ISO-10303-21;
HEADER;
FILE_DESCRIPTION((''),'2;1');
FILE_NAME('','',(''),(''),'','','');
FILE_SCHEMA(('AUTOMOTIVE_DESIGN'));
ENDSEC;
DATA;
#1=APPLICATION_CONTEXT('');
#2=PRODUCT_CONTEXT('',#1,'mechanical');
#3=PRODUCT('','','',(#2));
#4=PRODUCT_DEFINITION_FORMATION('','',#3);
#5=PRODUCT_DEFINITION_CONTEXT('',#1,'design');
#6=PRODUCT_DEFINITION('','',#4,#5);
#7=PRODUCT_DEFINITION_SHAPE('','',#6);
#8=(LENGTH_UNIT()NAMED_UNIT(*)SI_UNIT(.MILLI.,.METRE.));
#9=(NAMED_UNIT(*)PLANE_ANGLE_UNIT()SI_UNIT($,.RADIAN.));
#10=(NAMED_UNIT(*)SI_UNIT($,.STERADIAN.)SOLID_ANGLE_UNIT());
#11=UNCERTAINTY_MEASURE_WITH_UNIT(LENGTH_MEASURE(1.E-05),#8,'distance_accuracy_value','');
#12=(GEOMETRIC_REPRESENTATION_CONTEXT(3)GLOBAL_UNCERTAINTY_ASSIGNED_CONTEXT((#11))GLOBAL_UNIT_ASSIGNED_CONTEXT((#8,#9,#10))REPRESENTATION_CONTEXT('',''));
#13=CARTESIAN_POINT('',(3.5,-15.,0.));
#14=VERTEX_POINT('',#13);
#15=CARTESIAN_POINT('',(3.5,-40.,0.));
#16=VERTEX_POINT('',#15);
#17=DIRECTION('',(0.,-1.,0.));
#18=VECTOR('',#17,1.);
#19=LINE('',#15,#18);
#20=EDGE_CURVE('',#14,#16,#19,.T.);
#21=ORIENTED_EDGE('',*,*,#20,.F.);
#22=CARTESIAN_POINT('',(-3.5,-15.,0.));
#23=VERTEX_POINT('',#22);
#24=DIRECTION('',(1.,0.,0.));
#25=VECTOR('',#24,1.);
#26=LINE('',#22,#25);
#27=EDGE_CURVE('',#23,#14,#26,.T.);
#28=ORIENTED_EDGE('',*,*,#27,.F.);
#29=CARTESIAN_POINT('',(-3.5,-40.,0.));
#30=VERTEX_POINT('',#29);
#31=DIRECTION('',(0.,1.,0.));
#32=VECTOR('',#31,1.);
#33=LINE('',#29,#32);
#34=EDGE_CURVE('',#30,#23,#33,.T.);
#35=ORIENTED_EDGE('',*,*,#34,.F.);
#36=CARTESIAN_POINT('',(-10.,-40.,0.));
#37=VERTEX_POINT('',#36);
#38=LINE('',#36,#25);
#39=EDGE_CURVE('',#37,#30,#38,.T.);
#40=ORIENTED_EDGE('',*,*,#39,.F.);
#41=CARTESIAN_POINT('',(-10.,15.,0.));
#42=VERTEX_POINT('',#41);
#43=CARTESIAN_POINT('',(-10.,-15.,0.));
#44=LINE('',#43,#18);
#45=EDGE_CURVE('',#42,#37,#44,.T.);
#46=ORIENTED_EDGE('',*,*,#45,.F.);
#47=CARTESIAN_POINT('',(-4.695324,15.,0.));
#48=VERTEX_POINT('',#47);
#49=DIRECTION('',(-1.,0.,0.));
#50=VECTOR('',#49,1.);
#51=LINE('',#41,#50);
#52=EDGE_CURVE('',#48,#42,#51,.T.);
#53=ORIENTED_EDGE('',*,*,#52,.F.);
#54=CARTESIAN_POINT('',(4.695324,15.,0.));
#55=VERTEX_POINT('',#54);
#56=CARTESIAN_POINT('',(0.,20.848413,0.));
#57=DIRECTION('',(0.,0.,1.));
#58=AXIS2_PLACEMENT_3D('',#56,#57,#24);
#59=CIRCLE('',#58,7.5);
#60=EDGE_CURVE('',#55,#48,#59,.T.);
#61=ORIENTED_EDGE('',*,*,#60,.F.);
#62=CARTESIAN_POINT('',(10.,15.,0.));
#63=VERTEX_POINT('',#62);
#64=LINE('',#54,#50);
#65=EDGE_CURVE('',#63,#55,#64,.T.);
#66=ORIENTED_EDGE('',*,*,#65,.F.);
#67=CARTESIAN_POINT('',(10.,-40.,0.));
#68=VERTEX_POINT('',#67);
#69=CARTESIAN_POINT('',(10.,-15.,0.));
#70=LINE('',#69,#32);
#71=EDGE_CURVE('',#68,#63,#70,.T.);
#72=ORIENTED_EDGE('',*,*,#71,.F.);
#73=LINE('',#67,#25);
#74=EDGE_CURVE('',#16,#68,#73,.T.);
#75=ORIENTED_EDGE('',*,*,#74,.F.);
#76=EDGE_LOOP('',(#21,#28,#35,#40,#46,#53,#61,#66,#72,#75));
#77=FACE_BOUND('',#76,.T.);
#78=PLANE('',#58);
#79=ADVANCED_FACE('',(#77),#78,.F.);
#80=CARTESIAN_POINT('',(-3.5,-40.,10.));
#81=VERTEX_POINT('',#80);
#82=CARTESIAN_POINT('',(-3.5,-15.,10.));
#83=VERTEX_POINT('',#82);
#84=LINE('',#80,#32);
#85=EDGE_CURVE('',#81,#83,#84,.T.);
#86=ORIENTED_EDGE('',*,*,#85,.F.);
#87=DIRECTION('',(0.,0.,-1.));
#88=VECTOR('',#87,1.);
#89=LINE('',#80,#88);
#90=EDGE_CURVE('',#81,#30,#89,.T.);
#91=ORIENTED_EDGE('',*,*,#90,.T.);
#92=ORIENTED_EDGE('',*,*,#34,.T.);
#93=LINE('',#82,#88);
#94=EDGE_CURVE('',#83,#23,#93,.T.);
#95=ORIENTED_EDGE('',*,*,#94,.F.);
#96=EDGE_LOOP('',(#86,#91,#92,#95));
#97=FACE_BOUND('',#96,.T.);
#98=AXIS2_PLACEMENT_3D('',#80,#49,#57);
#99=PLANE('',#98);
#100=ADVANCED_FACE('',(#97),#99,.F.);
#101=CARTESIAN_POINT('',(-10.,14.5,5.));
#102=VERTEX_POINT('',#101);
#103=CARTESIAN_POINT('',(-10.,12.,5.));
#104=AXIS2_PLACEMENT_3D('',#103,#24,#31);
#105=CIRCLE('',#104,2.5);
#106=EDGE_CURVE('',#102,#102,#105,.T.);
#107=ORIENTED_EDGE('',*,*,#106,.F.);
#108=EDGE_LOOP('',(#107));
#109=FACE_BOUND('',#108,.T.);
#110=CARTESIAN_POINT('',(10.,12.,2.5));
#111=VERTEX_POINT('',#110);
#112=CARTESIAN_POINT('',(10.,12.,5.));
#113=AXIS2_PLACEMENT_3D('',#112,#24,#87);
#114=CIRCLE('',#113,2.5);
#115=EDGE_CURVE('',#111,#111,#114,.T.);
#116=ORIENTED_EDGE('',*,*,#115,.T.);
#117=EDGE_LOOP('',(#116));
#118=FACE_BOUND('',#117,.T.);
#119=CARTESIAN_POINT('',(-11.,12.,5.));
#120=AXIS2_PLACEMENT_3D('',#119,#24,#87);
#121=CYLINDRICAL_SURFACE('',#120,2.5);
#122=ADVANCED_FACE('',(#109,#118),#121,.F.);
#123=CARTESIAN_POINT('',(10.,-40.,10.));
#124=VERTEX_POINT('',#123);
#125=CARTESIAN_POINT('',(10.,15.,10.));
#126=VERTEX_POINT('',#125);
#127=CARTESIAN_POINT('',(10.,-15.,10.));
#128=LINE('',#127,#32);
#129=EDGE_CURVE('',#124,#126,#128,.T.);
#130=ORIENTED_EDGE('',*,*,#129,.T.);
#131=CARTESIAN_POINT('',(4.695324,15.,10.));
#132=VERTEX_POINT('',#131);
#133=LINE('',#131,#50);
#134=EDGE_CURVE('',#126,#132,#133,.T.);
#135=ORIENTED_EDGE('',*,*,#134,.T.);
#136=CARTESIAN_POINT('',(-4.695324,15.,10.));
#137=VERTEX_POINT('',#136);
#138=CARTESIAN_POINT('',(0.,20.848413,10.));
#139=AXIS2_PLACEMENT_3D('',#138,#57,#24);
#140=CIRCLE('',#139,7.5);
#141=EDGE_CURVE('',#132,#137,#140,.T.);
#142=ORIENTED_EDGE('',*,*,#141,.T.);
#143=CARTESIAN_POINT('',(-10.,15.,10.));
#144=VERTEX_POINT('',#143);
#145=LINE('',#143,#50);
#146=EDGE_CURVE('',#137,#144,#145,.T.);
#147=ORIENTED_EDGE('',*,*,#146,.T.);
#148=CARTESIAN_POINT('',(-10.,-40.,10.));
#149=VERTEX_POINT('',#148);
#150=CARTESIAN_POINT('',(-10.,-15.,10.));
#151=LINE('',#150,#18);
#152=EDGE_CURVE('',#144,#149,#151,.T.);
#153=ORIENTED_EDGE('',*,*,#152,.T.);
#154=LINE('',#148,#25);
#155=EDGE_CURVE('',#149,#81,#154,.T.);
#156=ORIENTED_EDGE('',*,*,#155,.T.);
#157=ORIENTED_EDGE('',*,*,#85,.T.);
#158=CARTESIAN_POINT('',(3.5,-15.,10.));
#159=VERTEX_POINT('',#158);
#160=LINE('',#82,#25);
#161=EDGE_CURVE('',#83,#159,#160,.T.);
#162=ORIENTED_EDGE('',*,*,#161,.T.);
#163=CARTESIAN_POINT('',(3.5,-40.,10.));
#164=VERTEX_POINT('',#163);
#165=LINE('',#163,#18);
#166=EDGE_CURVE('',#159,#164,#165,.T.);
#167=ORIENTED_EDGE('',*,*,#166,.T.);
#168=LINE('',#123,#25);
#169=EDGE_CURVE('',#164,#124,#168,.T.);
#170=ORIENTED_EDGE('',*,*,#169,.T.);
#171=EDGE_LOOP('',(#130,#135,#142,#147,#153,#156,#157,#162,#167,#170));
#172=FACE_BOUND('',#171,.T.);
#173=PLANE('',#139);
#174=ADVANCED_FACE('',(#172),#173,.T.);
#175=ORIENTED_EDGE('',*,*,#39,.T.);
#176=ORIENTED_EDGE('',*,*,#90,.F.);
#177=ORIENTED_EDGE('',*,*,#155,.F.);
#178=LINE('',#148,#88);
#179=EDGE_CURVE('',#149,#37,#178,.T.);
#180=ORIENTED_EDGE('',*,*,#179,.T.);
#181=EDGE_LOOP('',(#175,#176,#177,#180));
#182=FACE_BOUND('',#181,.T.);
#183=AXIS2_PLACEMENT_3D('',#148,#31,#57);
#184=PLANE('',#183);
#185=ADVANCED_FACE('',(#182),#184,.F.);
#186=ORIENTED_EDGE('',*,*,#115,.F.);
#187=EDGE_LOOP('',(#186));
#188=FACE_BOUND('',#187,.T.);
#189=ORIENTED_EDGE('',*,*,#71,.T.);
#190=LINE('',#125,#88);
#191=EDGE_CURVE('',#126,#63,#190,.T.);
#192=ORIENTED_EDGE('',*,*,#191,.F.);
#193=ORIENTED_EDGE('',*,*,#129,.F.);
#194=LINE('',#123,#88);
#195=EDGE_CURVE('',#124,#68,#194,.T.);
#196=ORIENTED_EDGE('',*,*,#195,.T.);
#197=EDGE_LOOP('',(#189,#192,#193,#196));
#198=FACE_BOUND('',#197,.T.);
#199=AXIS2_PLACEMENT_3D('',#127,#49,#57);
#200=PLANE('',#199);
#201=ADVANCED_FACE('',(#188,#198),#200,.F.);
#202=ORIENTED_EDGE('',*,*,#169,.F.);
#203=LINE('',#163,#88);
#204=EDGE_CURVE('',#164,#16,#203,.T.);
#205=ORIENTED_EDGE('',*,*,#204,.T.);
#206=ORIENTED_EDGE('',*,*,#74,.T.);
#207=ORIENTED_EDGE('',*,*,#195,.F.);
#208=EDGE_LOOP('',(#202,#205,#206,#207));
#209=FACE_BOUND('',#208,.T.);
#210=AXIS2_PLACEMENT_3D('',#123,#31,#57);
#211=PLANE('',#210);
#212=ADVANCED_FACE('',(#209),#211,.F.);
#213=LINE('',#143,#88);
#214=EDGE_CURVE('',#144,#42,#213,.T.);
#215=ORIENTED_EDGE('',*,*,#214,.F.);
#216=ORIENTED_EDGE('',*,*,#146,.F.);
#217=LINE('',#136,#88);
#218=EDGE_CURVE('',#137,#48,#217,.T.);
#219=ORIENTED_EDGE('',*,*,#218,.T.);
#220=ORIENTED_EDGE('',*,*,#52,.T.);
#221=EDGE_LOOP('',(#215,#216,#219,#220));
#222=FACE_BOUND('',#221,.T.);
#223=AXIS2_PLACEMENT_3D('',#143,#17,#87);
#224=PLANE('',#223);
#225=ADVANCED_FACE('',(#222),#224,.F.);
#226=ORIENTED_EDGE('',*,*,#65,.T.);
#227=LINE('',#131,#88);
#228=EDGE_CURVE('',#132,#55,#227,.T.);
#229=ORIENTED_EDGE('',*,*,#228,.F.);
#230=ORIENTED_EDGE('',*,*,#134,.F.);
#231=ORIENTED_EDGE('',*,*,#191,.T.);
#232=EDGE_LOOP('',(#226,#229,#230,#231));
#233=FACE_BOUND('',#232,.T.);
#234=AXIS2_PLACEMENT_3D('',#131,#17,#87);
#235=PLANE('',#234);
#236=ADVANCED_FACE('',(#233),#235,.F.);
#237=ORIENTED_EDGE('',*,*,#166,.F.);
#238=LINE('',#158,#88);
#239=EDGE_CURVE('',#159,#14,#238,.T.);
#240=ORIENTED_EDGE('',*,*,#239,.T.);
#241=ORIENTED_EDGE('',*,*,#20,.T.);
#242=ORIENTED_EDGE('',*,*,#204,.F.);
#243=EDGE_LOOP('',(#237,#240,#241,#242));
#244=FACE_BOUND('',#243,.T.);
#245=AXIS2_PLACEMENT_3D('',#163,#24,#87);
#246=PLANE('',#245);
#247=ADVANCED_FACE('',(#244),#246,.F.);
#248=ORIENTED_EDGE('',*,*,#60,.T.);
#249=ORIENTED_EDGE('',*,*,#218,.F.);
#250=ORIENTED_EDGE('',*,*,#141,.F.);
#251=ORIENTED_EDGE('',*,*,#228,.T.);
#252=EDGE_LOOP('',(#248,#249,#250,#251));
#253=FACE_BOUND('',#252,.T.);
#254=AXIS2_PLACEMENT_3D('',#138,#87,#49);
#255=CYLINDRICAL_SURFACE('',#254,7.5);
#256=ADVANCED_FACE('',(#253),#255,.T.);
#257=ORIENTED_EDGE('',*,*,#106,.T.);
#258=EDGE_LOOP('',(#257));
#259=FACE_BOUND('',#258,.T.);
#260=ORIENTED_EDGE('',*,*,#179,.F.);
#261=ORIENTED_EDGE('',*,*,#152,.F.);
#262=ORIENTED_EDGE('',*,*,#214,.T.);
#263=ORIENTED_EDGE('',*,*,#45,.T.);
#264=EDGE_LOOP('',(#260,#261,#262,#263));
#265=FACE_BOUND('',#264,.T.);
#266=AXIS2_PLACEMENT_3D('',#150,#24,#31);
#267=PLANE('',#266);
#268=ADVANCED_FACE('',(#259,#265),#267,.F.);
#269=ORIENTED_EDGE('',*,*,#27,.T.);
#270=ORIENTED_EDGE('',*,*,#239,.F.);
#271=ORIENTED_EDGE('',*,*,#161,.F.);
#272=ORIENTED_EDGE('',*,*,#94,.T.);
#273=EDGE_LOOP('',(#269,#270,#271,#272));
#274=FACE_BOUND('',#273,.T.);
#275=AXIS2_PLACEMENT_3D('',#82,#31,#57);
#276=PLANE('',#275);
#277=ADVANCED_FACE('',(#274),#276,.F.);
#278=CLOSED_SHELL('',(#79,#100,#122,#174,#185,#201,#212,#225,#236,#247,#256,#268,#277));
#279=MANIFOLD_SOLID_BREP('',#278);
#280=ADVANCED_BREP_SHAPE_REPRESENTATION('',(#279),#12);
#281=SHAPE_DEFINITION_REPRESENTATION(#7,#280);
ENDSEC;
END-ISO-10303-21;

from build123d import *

# Parameters (mm, degrees)
SALIENTE_EXTRUIR1_DEPTH = 10
CROQUIS2_R              = 2.5
CORTAR_EXTRUIR1_DEPTH   = 21


with BuildPart() as part:
    # Croquis1 → Saliente-Extruir1 (new body)
    with BuildSketch(Plane.XY):
        with BuildLine():
            Line((-10, -15), (-10, -40))
            Line((-10, -40), (-3.5, -40))
            Line((-3.5, -40), (-3.5, -15))
            Line((-3.5, -15), (3.5, -15))
            Line((3.5, -15), (3.5, -40))
            Line((3.5, -40), (10, -40))
            Line((10, -40), (10, -15))
            Line((10, -15), (10, 15))
            Line((10, 15), (4.695324154, 15))
            ThreePointArc((4.695324154, 15), (0, 28.348412698), (-4.695324154, 15))
            Line((-4.695324154, 15), (-10, 15))
            Line((-10, 15), (-10, -15))
        make_face()
    extrude(amount=SALIENTE_EXTRUIR1_DEPTH)

    # Croquis2 → Cortar-Extruir1 (cut)
    with BuildSketch(Plane(origin=(10, 0, 0), x_dir=(0, 0, -1), z_dir=(1, 0, 0))):
        with Locations((-5, 12)):
            Circle(CROQUIS2_R)
    extrude(amount=-CORTAR_EXTRUIR1_DEPTH, mode=Mode.SUBTRACT)


solid = part.part
